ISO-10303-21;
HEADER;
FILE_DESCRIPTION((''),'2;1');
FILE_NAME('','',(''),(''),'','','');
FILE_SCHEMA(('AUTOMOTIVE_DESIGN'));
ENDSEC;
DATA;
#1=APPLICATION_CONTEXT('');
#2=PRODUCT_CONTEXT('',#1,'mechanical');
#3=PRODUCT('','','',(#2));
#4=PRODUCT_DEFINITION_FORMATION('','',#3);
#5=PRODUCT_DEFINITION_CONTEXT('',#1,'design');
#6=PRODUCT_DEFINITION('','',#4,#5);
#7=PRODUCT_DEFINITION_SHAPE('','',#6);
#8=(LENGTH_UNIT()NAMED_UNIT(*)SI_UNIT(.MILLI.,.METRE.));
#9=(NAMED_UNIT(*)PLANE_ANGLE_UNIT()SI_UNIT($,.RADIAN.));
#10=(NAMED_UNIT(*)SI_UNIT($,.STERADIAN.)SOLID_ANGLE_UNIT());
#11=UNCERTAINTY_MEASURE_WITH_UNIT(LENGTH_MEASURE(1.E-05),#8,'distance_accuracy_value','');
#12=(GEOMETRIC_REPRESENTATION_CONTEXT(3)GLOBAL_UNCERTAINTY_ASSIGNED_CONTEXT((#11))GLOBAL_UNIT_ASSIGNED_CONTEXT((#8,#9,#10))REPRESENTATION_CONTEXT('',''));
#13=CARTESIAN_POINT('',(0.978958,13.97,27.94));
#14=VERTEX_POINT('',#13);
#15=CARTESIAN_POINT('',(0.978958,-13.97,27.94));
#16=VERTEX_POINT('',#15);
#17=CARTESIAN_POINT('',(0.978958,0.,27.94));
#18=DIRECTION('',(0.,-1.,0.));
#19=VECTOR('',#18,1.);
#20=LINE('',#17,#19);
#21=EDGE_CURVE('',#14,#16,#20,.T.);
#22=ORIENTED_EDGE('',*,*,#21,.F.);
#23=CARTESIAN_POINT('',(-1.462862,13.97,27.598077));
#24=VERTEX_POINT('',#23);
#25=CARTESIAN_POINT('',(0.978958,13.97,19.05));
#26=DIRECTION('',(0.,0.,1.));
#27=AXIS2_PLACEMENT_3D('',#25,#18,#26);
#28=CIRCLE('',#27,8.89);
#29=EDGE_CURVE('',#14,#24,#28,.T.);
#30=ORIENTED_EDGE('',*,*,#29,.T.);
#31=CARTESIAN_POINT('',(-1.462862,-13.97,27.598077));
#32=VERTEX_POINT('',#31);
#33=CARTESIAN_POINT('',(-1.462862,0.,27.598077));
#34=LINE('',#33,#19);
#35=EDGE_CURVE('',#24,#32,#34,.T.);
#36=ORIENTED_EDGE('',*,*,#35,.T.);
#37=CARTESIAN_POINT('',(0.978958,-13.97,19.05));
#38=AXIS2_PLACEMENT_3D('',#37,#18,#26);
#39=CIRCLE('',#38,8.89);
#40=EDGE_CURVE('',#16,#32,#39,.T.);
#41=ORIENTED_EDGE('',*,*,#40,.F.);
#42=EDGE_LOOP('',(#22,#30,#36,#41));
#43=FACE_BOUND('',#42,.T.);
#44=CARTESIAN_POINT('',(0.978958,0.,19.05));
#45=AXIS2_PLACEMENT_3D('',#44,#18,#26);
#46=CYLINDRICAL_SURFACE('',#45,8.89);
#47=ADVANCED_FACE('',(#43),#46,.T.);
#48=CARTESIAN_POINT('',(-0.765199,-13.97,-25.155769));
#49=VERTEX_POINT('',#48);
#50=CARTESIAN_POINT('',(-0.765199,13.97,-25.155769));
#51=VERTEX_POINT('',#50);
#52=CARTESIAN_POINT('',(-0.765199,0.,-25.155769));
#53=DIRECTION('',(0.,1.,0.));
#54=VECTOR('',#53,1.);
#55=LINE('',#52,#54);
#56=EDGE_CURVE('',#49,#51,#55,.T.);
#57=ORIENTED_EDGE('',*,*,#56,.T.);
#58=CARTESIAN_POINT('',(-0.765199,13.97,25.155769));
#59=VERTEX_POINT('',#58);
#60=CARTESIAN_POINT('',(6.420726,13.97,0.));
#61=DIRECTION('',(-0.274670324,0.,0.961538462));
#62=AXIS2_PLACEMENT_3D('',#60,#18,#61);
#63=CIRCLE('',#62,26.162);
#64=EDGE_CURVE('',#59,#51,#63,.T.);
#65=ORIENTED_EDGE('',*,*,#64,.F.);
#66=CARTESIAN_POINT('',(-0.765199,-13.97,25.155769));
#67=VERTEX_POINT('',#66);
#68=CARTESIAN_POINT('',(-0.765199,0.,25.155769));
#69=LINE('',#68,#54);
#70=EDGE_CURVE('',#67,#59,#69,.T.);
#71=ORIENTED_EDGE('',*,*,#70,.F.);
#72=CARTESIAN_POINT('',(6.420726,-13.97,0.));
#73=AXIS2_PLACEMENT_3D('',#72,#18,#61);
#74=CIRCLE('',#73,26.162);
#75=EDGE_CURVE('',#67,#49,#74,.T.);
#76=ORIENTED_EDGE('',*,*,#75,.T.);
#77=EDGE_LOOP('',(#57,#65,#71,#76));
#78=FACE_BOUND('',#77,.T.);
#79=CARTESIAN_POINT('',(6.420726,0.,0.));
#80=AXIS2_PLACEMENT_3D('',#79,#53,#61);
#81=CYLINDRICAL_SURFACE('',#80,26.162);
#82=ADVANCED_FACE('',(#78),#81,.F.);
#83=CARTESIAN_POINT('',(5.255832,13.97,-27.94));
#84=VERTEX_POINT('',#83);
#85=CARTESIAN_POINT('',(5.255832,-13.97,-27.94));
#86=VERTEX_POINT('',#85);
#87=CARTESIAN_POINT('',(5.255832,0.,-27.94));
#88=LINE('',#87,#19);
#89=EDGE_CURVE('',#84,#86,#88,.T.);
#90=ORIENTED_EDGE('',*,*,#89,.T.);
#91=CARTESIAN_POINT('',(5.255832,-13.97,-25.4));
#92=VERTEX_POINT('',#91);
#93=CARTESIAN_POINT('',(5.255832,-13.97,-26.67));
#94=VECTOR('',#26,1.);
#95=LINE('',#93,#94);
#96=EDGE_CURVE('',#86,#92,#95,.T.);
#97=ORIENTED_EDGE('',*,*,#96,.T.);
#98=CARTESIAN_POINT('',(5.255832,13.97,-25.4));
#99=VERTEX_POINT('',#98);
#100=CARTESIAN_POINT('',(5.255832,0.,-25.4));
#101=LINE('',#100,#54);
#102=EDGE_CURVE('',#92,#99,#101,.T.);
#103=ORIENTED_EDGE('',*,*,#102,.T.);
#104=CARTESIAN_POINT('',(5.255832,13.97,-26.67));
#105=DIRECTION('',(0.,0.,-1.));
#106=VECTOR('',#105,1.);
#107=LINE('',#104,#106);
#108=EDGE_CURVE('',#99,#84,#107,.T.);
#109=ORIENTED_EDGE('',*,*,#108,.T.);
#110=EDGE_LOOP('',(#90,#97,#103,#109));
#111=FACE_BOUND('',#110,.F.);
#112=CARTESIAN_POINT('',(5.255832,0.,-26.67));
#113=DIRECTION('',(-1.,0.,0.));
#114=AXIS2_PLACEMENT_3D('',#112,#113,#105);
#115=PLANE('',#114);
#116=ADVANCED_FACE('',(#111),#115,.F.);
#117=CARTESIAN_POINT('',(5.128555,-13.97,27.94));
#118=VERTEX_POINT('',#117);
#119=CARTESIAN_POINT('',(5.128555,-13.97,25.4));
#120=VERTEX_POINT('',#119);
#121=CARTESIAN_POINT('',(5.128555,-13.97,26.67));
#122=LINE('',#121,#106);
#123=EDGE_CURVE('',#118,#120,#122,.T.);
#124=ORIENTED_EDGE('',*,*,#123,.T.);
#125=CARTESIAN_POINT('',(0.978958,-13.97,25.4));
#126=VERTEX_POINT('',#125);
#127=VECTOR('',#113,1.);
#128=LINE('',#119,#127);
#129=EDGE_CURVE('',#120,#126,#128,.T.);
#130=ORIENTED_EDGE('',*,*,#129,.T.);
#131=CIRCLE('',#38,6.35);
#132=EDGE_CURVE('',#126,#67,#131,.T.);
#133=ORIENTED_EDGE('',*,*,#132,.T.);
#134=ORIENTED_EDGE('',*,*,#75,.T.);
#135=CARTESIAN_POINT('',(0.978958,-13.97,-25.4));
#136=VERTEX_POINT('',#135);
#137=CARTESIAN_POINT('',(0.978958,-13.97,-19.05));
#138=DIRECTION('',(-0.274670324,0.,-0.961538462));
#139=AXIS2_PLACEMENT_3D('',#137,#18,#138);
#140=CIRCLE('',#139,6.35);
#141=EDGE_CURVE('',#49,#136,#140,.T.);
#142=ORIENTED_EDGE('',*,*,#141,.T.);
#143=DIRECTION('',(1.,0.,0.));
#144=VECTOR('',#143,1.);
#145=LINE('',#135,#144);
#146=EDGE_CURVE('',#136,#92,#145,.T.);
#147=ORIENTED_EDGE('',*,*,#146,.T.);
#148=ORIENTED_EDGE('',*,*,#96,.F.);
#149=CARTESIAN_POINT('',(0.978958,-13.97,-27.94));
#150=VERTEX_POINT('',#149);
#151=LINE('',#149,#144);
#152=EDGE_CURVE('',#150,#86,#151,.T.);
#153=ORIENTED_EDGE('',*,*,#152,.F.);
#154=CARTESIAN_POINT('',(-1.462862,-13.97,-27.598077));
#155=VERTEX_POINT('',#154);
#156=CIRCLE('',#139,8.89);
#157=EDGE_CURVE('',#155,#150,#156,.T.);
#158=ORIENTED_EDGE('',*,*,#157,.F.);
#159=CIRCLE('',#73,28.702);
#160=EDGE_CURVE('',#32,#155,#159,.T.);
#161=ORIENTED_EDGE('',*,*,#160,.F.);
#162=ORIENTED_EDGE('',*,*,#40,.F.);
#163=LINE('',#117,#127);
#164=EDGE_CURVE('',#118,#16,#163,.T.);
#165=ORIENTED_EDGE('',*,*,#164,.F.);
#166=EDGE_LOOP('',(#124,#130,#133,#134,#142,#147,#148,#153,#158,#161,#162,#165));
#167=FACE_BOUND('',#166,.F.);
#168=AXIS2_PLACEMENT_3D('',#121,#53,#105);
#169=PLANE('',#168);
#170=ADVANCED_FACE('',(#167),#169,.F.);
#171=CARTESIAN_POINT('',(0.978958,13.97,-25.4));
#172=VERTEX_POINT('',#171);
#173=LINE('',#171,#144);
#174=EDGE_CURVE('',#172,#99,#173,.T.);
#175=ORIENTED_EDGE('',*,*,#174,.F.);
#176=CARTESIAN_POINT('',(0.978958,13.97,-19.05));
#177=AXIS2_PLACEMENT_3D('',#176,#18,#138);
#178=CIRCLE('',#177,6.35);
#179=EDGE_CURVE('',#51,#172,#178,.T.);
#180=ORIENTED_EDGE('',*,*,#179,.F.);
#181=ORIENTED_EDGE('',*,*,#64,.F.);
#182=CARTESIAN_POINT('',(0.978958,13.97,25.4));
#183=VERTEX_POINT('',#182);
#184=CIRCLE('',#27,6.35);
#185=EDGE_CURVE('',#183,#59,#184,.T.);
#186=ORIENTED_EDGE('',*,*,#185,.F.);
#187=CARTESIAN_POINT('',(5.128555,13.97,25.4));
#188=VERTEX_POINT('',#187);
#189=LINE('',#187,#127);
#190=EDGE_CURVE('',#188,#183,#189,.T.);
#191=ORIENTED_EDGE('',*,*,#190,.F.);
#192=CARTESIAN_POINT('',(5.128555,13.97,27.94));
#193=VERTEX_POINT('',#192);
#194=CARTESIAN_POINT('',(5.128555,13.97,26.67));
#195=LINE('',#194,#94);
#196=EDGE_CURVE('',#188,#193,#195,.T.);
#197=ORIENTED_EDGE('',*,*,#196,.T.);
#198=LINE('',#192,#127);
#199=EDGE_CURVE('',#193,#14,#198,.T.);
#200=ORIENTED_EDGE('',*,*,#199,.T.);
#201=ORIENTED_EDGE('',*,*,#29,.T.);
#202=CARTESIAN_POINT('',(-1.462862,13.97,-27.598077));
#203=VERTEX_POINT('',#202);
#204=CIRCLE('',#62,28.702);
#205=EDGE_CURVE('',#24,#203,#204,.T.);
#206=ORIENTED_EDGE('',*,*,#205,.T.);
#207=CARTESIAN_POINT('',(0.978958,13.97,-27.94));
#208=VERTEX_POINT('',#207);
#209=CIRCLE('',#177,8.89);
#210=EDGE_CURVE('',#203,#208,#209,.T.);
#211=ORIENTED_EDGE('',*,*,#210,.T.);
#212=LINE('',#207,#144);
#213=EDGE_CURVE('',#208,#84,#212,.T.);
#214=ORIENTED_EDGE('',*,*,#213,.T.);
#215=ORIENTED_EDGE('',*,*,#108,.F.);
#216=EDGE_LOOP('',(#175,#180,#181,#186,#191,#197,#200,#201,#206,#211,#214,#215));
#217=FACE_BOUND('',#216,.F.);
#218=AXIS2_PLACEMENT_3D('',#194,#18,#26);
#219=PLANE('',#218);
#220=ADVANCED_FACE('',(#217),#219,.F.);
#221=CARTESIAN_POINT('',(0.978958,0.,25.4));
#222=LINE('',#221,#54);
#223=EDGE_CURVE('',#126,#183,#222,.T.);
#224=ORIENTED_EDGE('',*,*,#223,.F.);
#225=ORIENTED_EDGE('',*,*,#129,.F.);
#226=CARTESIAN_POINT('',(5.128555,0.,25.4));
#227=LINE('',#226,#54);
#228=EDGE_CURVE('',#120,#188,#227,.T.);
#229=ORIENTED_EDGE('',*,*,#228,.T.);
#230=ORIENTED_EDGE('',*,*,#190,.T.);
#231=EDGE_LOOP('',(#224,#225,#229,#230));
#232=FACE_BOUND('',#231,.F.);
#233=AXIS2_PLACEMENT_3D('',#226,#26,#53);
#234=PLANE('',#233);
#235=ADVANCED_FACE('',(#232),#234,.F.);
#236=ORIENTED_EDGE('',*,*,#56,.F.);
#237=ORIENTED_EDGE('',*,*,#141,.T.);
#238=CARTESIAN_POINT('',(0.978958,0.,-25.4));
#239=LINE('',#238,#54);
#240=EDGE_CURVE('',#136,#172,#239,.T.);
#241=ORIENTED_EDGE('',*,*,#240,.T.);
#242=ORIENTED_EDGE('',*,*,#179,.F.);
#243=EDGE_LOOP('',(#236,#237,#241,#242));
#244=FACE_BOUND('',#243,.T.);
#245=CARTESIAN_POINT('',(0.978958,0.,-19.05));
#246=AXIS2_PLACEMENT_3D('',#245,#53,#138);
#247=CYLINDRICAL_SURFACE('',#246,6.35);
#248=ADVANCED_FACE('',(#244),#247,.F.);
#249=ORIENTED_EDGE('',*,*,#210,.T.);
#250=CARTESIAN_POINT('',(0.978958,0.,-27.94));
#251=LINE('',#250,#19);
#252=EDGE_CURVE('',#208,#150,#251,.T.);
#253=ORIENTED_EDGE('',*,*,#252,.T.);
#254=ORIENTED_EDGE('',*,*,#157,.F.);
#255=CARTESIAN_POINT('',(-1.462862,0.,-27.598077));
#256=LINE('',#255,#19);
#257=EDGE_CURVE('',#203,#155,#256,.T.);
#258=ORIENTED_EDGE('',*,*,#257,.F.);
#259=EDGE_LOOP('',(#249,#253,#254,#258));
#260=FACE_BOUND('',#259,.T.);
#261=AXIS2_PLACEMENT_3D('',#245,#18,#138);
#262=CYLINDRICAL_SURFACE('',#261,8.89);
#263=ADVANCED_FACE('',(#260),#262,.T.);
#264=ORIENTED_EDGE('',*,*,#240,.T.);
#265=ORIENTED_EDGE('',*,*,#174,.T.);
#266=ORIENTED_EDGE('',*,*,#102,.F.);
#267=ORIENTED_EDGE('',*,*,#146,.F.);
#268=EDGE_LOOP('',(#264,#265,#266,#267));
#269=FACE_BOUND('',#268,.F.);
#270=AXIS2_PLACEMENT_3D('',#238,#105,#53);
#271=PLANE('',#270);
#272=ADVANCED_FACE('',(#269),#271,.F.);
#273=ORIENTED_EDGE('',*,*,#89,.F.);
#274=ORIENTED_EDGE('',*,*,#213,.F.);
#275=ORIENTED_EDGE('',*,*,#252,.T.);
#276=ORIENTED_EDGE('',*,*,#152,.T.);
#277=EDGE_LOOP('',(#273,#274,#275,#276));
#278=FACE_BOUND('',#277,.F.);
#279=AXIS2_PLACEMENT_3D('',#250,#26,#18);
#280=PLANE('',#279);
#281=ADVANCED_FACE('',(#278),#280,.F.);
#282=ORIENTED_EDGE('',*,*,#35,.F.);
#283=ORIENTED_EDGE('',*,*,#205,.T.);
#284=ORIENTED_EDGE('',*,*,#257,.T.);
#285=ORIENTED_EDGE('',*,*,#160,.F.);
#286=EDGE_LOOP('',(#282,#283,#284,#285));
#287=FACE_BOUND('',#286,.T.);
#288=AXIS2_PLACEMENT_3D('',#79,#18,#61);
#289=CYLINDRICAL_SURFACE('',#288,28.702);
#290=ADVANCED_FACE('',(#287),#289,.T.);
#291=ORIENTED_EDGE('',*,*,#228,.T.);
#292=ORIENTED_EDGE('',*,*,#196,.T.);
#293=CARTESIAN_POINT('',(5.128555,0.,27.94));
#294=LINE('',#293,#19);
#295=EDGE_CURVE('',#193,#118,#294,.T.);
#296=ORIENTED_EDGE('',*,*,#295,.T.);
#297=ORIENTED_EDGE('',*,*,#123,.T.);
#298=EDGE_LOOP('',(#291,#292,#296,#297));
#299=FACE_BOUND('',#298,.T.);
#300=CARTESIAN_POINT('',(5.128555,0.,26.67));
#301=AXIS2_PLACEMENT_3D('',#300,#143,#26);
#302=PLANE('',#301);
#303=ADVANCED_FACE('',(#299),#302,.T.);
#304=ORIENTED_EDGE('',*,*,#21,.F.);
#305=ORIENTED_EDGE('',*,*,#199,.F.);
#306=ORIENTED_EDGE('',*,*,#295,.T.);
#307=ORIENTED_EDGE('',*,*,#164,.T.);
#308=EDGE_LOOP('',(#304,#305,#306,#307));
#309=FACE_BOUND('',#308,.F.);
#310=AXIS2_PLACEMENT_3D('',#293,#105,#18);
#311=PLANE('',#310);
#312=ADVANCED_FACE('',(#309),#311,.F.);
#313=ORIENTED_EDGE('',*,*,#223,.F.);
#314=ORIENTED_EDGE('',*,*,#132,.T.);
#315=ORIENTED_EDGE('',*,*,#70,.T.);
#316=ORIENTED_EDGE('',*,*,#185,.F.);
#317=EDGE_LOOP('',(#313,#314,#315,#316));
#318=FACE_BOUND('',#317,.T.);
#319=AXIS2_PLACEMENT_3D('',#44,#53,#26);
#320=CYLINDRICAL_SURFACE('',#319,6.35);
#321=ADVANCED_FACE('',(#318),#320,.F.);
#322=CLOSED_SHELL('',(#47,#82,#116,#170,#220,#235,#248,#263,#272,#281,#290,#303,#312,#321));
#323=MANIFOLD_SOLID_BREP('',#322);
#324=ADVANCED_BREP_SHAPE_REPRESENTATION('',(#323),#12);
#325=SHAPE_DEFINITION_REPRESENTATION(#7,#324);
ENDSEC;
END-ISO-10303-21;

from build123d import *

# Parameters (mm, degrees)
F2_W = 27.94
F2_H = 2.54


with BuildPart() as f3:
    # F3: sweep along a path in F1
    with BuildLine(Plane.XZ) as f3_path:
        Line((5.1285554655, 26.67), (0.9789576646, 26.67))
        ThreePointArc((0.9789576646, 26.67), (-0.0777462092, 26.596375085), (-1.1140302056, 26.3769230769))
        ThreePointArc((-1.1140302056, 26.3769230769), (-21.0112738728, 0), (-1.1140302056, -26.3769230769))
        ThreePointArc((-1.1140302056, -26.3769230769), (-0.0777462092, -26.596375085), (0.9789576646, -26.67))
        Line((0.9789576646, -26.67), (5.2558323368, -26.67))
    # F2 (on offset) → F3 (sweep)
    with BuildSketch(Plane.YZ.offset(5.08)):
        with Locations((0, 26.67)):
            Rectangle(F2_W, F2_H)
    sweep(path=f3_path.line)


solid = f3.part
